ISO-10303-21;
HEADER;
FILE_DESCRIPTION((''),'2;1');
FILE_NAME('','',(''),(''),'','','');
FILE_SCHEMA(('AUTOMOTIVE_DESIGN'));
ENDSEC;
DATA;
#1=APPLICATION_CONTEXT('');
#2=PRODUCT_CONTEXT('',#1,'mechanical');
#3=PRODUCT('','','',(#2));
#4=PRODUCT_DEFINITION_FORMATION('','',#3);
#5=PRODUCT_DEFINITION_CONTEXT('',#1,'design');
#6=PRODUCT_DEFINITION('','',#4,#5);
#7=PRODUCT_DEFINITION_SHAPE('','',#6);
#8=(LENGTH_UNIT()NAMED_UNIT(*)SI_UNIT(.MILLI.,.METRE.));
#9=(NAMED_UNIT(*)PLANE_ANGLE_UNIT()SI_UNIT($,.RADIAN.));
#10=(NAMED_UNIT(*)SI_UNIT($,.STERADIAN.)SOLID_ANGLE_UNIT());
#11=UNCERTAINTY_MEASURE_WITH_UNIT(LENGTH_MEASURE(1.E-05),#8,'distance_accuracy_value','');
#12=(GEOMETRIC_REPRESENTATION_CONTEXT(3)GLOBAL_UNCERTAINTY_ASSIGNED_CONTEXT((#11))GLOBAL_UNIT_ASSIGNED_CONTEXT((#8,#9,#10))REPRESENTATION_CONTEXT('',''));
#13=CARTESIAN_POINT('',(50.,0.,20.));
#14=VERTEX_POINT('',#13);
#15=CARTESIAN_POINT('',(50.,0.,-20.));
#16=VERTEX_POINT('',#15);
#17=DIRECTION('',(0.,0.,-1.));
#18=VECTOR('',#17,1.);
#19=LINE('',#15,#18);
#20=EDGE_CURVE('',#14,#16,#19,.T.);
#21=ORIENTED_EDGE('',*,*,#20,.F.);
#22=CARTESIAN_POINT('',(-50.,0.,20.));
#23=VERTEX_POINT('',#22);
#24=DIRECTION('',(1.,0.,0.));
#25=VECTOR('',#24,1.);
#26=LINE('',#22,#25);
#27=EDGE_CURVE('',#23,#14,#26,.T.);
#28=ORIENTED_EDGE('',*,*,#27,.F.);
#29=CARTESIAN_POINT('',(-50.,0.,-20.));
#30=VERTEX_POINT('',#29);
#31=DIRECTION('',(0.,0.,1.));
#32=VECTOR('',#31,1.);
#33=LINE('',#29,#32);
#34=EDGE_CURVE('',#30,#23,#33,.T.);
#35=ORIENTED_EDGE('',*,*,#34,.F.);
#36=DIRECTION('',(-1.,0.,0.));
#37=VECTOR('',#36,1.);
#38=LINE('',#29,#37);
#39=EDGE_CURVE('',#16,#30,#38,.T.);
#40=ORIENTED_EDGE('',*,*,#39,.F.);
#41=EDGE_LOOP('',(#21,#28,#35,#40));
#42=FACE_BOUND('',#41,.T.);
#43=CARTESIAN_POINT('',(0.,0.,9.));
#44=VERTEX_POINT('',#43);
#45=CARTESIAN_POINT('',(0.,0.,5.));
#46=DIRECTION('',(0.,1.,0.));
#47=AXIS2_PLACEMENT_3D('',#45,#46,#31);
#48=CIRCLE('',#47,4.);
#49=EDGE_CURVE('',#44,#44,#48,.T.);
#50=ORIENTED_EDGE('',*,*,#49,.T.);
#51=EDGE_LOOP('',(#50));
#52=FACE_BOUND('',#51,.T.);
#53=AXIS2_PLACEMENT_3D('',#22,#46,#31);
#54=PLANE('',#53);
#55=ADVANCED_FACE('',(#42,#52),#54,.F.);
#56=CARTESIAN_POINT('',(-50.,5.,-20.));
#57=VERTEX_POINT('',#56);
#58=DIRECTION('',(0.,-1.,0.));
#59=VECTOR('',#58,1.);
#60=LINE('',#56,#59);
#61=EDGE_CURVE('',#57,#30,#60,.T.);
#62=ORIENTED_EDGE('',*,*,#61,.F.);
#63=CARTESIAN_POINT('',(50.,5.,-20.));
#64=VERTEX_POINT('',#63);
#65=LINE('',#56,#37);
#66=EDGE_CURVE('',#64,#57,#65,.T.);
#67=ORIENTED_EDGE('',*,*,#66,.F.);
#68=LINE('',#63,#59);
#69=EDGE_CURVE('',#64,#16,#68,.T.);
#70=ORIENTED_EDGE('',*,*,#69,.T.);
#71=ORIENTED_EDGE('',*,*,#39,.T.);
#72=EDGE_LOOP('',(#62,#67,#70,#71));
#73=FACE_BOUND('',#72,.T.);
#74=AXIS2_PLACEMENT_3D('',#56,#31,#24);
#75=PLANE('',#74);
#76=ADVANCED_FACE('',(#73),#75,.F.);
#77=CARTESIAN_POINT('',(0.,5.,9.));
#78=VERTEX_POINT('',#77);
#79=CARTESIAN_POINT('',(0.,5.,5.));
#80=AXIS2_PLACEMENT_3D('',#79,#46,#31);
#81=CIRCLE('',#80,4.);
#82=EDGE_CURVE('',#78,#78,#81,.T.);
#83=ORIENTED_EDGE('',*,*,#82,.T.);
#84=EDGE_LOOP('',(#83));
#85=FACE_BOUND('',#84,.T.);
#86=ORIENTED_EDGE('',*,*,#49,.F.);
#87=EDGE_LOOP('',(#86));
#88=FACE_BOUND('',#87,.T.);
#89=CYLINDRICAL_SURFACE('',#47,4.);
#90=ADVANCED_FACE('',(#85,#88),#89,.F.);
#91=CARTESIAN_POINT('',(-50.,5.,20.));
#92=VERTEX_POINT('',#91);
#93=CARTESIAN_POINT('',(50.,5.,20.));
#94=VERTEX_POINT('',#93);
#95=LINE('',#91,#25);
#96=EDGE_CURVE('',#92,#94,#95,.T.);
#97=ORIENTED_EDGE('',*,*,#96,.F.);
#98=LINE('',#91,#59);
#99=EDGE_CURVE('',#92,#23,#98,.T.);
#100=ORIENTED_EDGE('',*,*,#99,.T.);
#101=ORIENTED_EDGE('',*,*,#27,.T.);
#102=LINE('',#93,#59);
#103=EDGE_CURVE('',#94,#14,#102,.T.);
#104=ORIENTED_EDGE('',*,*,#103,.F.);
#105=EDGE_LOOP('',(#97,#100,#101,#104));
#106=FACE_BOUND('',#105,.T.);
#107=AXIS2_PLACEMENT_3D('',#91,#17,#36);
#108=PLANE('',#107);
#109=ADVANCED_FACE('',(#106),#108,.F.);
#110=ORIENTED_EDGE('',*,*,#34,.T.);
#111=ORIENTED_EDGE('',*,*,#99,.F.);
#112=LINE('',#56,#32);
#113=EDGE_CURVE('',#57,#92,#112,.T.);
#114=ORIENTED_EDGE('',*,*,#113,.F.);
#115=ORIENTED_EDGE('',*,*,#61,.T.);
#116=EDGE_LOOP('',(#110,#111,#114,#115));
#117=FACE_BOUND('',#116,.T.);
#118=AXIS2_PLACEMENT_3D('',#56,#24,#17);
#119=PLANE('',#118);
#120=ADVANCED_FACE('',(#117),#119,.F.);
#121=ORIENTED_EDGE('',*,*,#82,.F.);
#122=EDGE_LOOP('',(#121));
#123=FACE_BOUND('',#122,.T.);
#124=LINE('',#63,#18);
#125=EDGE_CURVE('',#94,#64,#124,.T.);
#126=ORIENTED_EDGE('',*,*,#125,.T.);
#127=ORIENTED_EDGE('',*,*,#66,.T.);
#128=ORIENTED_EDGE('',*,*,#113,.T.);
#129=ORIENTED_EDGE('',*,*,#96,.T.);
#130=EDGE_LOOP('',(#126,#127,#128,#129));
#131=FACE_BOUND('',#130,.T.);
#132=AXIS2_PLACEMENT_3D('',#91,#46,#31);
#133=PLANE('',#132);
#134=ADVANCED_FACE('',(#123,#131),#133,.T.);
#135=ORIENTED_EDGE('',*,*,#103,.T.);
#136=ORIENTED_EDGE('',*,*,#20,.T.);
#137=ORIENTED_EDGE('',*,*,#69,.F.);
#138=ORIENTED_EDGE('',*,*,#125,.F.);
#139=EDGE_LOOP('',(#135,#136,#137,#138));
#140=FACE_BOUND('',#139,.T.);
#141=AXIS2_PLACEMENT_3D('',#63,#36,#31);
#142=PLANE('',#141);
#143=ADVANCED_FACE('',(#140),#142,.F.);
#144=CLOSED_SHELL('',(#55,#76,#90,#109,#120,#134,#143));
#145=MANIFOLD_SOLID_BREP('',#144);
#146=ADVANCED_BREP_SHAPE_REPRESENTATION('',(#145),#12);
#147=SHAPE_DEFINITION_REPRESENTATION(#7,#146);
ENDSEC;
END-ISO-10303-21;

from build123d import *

# Parameters (mm, degrees)
CROQUIS1_W     = 100
CROQUIS1_H     = 40
EXTRUIR1_DEPTH = 5
CROQUIS2_R     = 4
EXTRUIR2_DEPTH = 5


with BuildPart() as part:
    # Croquis1 → Extruir1 (new body)
    with BuildSketch(Plane(origin=(0, 0, 0), x_dir=(1, 0, 0), z_dir=(0, 1, 0))):
        Rectangle(CROQUIS1_W, CROQUIS1_H)
    extrude(amount=EXTRUIR1_DEPTH)

    # Croquis2 → Extruir2 (cut)
    with BuildSketch(Plane(origin=(0, 5, 0), x_dir=(1, 0, 0), z_dir=(0, 1, 0))):
        with Locations(Location((0, -5, 0), (0, 0, 270))):
            Circle(CROQUIS2_R)
    extrude(amount=-EXTRUIR2_DEPTH, mode=Mode.SUBTRACT)


solid = part.part
